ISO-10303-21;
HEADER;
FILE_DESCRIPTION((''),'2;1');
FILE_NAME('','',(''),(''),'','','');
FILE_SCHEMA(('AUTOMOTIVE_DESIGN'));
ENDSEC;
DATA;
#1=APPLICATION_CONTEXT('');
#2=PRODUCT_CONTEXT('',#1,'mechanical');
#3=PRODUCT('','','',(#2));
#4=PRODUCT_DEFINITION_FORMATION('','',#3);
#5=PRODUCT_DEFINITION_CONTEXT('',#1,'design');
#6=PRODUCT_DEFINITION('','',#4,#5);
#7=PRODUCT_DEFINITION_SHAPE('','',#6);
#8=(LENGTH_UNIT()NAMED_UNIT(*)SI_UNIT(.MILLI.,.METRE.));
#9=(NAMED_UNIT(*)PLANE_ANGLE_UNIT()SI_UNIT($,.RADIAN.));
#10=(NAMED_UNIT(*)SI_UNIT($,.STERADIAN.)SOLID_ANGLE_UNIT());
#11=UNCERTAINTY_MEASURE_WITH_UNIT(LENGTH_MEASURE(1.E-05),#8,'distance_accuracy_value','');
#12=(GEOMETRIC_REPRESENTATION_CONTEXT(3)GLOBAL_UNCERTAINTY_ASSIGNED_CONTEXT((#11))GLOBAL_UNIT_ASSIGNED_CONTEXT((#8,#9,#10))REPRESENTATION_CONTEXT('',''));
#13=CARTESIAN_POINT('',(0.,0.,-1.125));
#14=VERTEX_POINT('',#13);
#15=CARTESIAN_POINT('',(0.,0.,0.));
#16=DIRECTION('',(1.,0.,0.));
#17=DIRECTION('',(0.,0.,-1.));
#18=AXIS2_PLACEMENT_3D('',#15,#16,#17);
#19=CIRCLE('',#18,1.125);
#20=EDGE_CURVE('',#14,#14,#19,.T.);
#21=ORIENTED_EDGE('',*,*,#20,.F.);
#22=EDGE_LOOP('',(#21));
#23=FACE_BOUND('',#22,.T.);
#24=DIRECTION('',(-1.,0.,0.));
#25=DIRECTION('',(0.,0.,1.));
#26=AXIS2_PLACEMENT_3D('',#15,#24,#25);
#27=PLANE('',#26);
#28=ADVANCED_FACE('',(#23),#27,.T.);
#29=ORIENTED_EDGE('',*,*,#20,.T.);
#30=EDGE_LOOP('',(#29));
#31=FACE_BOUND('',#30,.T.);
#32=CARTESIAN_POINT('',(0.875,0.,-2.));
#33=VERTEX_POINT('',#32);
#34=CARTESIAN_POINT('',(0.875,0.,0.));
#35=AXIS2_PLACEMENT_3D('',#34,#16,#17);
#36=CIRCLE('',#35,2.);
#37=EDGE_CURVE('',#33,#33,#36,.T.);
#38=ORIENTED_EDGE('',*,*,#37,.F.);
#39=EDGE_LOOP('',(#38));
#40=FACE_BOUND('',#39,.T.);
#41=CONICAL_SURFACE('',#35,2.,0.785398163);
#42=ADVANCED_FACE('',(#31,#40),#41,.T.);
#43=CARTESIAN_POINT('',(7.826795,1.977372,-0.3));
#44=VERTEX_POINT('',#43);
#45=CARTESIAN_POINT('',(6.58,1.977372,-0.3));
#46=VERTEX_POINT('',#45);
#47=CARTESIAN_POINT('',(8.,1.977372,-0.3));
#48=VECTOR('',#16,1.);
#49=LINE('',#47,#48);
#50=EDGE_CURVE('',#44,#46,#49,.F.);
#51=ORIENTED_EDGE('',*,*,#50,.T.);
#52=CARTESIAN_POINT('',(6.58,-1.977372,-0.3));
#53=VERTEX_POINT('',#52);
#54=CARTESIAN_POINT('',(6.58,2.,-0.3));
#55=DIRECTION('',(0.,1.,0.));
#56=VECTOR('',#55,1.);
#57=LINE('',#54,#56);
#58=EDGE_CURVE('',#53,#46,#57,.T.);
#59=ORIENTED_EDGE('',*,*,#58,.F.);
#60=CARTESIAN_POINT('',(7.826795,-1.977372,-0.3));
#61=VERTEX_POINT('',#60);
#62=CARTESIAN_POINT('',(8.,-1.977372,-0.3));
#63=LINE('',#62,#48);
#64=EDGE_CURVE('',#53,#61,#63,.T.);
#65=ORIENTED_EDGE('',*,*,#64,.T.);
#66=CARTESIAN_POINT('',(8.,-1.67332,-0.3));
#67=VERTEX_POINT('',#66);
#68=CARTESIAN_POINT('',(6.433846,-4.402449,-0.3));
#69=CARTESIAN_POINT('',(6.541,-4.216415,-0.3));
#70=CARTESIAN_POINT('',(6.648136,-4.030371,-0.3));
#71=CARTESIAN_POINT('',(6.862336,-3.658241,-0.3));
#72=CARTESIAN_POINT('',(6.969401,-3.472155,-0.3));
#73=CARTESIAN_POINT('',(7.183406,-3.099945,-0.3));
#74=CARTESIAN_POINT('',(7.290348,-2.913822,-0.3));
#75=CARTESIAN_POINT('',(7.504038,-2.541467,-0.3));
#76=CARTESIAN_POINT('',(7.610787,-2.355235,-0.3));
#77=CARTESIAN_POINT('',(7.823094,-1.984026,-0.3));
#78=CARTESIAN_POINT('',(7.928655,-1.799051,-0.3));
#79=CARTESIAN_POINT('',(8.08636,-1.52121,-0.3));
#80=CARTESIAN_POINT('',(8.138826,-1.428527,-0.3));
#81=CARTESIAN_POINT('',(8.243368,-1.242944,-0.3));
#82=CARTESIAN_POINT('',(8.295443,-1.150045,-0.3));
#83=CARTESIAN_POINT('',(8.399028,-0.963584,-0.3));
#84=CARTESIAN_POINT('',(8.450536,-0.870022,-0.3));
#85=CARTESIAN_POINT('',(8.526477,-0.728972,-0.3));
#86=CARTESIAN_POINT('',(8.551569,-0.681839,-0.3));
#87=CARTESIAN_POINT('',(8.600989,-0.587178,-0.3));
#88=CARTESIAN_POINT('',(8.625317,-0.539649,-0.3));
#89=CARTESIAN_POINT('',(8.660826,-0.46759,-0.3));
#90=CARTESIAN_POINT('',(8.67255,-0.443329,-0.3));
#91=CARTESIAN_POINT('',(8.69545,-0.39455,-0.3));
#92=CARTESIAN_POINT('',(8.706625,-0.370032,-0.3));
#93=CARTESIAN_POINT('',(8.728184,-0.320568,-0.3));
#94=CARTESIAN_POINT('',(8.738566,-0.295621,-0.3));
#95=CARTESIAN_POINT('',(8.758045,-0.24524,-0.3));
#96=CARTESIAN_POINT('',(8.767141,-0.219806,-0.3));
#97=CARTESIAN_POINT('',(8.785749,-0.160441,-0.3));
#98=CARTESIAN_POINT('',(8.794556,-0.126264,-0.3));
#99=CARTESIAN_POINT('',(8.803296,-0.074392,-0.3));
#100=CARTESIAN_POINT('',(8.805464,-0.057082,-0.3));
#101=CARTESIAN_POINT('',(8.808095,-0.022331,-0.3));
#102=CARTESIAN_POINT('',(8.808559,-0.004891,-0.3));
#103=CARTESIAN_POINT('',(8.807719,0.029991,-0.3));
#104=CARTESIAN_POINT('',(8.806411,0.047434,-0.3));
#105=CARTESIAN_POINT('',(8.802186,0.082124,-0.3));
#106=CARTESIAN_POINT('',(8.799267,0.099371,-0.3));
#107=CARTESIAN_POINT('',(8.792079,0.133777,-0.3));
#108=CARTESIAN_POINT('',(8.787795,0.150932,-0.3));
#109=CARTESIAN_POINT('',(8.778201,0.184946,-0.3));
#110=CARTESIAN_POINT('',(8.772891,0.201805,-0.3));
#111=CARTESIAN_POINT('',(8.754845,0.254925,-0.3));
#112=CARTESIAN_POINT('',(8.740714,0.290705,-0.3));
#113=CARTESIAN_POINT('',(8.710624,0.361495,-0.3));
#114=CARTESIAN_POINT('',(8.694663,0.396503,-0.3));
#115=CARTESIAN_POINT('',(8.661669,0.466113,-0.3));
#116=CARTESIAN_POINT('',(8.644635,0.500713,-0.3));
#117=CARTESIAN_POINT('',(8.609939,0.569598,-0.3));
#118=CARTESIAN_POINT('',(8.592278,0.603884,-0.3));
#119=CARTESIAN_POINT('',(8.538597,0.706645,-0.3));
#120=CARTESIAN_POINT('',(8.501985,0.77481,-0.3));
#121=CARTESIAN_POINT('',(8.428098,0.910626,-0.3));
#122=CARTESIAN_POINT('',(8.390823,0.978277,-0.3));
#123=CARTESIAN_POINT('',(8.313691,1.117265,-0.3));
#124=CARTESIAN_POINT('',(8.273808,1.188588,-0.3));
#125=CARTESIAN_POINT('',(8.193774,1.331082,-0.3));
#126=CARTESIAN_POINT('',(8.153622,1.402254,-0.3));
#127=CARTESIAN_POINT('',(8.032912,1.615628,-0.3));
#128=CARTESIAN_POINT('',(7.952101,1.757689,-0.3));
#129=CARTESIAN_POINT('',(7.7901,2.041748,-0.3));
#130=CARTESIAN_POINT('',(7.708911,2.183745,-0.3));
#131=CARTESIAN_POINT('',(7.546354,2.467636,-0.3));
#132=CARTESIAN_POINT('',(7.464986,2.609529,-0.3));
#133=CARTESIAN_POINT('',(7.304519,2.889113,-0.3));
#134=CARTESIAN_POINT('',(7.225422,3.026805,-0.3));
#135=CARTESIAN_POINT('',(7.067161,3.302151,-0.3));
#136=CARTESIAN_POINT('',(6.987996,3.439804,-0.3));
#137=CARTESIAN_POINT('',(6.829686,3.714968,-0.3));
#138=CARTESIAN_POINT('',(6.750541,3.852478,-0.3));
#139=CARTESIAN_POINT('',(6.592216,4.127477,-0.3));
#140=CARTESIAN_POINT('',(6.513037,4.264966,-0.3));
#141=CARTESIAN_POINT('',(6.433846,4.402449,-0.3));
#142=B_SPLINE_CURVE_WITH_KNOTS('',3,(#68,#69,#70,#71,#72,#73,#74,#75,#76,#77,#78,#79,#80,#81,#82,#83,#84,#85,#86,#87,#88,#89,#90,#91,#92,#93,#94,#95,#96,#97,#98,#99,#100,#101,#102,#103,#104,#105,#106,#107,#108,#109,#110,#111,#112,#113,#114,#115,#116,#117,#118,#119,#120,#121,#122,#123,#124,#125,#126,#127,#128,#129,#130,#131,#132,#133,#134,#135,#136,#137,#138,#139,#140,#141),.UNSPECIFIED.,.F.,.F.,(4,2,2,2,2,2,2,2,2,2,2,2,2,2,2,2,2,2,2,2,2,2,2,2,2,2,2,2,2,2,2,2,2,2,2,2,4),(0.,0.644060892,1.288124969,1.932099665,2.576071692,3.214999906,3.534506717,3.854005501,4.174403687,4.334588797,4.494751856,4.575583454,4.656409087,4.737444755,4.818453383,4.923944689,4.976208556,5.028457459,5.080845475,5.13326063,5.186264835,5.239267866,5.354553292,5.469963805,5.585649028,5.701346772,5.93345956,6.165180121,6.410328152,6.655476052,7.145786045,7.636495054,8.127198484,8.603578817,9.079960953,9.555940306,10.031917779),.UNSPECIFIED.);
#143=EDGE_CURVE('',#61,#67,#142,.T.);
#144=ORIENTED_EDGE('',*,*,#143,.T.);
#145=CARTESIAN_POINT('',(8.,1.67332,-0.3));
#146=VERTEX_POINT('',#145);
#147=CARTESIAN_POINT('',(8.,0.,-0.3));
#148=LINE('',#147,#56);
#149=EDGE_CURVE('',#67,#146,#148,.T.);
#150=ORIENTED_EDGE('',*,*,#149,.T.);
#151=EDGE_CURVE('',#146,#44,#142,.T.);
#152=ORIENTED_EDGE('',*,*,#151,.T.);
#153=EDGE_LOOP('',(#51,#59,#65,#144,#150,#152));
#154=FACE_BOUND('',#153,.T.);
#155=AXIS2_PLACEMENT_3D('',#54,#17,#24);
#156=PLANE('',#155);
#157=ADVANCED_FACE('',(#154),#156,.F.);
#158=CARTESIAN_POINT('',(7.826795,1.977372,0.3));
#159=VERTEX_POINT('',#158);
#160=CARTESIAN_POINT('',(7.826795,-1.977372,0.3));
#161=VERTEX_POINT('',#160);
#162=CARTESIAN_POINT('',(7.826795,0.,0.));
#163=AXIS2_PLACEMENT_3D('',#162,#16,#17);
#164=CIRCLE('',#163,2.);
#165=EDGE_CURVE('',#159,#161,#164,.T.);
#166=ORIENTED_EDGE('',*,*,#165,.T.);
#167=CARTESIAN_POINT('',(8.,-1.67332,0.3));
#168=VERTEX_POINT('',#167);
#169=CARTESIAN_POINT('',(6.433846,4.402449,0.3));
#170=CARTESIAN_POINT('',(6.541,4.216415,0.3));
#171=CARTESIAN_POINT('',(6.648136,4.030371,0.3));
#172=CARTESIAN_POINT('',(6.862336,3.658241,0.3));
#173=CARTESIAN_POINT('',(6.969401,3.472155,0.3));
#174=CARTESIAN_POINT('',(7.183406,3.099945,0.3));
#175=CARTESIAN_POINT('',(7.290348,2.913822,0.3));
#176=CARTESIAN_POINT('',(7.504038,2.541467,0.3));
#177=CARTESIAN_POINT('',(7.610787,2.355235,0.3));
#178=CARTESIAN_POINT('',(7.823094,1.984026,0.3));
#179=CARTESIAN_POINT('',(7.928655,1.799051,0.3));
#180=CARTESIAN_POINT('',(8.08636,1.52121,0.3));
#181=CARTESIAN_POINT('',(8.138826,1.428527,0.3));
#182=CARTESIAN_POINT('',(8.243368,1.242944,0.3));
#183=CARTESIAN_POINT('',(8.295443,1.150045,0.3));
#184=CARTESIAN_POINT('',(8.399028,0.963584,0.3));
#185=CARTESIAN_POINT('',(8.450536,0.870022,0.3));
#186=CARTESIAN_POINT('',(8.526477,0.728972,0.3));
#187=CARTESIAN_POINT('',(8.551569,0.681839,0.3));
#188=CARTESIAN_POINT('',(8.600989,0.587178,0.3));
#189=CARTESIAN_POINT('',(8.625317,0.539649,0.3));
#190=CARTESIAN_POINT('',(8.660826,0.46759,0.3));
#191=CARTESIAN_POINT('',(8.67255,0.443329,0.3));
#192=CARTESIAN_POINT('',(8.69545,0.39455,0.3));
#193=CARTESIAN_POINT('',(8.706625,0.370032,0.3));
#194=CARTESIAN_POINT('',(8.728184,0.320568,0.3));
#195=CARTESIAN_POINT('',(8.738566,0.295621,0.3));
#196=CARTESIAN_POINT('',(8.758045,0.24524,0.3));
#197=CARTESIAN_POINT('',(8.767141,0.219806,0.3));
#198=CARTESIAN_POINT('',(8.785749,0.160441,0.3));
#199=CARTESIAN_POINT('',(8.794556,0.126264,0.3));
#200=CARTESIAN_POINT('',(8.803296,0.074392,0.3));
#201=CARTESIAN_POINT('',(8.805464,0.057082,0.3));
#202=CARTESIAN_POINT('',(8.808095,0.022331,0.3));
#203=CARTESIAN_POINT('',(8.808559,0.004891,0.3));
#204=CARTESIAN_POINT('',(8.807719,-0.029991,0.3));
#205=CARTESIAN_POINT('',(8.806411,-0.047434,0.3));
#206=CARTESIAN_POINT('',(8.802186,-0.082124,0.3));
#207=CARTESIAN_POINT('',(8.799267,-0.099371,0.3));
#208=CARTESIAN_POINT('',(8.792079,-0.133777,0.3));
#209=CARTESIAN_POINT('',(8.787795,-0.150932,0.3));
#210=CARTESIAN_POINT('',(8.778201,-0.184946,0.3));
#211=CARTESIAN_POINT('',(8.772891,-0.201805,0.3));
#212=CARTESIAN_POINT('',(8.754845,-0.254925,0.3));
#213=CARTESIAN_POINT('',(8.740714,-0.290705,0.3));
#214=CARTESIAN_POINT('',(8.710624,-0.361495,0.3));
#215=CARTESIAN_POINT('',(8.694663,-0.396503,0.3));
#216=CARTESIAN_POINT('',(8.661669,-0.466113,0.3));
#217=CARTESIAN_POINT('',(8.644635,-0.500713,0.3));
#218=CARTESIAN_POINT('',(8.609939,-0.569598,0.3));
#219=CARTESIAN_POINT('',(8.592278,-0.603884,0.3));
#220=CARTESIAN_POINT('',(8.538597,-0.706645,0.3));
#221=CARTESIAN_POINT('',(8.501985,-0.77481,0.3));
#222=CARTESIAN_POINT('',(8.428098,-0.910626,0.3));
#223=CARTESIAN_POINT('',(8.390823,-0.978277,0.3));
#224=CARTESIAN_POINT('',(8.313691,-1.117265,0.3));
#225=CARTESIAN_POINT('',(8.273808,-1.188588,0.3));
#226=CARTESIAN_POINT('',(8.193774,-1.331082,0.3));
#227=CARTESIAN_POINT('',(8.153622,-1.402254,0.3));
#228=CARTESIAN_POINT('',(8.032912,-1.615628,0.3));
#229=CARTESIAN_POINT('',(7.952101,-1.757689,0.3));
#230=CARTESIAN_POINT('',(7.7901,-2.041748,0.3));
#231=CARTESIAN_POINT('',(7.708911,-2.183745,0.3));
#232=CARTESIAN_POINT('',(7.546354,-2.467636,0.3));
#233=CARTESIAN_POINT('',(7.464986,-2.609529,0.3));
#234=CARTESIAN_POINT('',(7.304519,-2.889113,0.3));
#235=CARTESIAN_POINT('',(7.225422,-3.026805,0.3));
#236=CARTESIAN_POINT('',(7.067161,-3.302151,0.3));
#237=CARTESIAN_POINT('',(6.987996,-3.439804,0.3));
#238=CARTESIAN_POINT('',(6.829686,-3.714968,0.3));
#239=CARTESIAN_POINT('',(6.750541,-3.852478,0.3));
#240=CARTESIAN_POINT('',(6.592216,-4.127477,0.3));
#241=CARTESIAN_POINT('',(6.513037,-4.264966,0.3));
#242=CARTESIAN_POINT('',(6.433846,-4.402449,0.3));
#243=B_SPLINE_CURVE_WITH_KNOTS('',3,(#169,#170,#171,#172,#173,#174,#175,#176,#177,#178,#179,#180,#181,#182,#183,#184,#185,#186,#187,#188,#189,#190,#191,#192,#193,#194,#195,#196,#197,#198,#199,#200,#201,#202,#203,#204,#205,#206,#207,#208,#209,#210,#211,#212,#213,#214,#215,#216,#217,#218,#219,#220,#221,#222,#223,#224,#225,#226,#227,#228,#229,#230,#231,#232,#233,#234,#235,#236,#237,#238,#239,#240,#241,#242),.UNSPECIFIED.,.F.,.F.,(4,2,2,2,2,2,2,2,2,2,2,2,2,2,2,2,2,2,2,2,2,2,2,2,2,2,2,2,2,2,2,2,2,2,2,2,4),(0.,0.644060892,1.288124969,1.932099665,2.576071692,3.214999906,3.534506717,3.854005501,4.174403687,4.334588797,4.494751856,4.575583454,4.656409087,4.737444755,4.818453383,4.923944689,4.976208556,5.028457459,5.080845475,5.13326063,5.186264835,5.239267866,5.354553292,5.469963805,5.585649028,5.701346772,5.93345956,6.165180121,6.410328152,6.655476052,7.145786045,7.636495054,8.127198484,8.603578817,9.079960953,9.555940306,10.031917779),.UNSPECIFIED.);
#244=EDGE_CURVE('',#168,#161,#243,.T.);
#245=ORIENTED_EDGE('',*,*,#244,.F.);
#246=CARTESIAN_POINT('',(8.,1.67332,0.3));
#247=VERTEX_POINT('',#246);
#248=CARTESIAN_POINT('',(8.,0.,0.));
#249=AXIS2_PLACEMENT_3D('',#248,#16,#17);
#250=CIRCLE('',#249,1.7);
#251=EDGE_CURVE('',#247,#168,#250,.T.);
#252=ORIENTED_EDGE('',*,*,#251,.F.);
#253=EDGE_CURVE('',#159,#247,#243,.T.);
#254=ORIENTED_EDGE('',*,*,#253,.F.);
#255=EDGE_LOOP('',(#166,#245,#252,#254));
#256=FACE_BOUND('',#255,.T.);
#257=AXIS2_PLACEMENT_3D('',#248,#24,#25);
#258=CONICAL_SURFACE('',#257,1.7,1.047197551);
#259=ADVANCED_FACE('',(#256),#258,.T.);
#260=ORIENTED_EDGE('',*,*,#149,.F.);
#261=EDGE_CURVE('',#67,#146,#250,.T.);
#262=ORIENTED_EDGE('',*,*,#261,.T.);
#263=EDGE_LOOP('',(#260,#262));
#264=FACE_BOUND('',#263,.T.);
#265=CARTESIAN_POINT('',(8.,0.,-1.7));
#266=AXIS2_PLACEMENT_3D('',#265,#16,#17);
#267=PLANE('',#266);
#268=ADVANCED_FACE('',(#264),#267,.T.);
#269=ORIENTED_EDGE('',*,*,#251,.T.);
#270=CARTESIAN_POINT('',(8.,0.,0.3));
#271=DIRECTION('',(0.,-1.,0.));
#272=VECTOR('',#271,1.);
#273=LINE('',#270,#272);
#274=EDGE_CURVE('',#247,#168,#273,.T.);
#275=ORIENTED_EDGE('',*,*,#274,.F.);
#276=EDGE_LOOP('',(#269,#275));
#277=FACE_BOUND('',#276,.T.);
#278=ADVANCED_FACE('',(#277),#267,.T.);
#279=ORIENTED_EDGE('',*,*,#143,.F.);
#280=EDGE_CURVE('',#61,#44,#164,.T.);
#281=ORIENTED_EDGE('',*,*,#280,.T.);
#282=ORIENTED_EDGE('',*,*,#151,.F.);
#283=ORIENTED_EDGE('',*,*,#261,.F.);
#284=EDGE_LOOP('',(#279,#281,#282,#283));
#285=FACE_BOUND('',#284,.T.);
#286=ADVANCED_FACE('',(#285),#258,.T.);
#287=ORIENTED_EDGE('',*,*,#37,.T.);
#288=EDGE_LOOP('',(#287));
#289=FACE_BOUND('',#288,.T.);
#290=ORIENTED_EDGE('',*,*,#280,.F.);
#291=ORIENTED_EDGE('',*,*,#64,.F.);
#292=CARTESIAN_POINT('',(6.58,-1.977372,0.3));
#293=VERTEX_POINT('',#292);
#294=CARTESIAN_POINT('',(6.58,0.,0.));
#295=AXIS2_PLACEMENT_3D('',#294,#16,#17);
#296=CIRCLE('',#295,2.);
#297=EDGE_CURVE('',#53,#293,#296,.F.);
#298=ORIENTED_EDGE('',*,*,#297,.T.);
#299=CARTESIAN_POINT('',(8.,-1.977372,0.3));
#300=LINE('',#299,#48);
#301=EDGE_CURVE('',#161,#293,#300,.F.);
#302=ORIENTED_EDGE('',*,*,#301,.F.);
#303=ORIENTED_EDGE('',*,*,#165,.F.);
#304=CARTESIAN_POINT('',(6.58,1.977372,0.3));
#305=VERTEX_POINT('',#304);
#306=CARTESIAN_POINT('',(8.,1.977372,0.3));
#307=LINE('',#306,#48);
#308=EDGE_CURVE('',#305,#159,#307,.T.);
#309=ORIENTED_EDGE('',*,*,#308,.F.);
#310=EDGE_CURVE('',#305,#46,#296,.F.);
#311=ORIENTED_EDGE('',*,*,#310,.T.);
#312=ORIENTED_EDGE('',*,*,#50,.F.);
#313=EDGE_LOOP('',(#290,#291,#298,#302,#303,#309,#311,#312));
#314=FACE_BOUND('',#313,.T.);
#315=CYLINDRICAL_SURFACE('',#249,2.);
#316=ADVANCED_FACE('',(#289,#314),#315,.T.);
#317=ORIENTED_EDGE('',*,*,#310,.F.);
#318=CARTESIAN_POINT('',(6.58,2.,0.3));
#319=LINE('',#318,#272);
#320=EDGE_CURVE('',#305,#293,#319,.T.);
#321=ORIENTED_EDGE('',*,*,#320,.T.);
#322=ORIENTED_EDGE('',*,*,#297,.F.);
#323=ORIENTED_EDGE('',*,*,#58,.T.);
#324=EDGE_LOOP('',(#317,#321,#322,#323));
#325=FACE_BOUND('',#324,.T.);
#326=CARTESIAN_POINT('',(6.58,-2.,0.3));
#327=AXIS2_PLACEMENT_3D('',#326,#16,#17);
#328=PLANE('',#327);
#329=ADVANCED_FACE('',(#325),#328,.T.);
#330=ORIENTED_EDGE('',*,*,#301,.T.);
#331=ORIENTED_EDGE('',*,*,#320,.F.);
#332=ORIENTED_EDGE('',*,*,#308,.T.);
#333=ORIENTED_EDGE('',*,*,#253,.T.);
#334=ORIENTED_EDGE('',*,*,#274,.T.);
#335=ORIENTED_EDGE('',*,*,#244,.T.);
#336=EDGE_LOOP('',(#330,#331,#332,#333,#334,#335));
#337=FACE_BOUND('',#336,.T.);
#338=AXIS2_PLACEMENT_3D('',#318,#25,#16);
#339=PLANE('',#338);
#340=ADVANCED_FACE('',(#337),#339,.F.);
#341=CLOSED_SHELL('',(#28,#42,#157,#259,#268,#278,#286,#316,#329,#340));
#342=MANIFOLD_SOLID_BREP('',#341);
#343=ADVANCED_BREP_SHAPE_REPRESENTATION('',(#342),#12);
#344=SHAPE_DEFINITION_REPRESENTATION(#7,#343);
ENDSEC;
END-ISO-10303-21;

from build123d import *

# Parameters (mm, degrees)
SKICA2_W                 = 0.6
SKICA2_H                 = 4
ODEBRAT_VYSUNUT_M1_DEPTH = 1.42


with BuildPart() as part:
    # Skica1 → Otočit kolem osy1 (revolve)
    with BuildSketch(Plane(origin=(0, 0, 0), x_dir=(1, 0, 0), z_dir=(0, 1, 0))):
        Polygon((0, 0), (0, 1.125), (0.875, 2), (7.826794919, 2), (8, 1.7), (8, 0), align=None)
    revolve(axis=Axis((8, 0, 0), (-1, 0, 0)))

    # Skica2 → Odebrat vysunutím1 (cut)
    with BuildSketch(Plane(origin=(8, 0, 0), x_dir=(0, 0, -1), z_dir=(1, 0, 0))):
        Rectangle(SKICA2_W, SKICA2_H)
    extrude(amount=-ODEBRAT_VYSUNUT_M1_DEPTH, mode=Mode.SUBTRACT)


solid = part.part
